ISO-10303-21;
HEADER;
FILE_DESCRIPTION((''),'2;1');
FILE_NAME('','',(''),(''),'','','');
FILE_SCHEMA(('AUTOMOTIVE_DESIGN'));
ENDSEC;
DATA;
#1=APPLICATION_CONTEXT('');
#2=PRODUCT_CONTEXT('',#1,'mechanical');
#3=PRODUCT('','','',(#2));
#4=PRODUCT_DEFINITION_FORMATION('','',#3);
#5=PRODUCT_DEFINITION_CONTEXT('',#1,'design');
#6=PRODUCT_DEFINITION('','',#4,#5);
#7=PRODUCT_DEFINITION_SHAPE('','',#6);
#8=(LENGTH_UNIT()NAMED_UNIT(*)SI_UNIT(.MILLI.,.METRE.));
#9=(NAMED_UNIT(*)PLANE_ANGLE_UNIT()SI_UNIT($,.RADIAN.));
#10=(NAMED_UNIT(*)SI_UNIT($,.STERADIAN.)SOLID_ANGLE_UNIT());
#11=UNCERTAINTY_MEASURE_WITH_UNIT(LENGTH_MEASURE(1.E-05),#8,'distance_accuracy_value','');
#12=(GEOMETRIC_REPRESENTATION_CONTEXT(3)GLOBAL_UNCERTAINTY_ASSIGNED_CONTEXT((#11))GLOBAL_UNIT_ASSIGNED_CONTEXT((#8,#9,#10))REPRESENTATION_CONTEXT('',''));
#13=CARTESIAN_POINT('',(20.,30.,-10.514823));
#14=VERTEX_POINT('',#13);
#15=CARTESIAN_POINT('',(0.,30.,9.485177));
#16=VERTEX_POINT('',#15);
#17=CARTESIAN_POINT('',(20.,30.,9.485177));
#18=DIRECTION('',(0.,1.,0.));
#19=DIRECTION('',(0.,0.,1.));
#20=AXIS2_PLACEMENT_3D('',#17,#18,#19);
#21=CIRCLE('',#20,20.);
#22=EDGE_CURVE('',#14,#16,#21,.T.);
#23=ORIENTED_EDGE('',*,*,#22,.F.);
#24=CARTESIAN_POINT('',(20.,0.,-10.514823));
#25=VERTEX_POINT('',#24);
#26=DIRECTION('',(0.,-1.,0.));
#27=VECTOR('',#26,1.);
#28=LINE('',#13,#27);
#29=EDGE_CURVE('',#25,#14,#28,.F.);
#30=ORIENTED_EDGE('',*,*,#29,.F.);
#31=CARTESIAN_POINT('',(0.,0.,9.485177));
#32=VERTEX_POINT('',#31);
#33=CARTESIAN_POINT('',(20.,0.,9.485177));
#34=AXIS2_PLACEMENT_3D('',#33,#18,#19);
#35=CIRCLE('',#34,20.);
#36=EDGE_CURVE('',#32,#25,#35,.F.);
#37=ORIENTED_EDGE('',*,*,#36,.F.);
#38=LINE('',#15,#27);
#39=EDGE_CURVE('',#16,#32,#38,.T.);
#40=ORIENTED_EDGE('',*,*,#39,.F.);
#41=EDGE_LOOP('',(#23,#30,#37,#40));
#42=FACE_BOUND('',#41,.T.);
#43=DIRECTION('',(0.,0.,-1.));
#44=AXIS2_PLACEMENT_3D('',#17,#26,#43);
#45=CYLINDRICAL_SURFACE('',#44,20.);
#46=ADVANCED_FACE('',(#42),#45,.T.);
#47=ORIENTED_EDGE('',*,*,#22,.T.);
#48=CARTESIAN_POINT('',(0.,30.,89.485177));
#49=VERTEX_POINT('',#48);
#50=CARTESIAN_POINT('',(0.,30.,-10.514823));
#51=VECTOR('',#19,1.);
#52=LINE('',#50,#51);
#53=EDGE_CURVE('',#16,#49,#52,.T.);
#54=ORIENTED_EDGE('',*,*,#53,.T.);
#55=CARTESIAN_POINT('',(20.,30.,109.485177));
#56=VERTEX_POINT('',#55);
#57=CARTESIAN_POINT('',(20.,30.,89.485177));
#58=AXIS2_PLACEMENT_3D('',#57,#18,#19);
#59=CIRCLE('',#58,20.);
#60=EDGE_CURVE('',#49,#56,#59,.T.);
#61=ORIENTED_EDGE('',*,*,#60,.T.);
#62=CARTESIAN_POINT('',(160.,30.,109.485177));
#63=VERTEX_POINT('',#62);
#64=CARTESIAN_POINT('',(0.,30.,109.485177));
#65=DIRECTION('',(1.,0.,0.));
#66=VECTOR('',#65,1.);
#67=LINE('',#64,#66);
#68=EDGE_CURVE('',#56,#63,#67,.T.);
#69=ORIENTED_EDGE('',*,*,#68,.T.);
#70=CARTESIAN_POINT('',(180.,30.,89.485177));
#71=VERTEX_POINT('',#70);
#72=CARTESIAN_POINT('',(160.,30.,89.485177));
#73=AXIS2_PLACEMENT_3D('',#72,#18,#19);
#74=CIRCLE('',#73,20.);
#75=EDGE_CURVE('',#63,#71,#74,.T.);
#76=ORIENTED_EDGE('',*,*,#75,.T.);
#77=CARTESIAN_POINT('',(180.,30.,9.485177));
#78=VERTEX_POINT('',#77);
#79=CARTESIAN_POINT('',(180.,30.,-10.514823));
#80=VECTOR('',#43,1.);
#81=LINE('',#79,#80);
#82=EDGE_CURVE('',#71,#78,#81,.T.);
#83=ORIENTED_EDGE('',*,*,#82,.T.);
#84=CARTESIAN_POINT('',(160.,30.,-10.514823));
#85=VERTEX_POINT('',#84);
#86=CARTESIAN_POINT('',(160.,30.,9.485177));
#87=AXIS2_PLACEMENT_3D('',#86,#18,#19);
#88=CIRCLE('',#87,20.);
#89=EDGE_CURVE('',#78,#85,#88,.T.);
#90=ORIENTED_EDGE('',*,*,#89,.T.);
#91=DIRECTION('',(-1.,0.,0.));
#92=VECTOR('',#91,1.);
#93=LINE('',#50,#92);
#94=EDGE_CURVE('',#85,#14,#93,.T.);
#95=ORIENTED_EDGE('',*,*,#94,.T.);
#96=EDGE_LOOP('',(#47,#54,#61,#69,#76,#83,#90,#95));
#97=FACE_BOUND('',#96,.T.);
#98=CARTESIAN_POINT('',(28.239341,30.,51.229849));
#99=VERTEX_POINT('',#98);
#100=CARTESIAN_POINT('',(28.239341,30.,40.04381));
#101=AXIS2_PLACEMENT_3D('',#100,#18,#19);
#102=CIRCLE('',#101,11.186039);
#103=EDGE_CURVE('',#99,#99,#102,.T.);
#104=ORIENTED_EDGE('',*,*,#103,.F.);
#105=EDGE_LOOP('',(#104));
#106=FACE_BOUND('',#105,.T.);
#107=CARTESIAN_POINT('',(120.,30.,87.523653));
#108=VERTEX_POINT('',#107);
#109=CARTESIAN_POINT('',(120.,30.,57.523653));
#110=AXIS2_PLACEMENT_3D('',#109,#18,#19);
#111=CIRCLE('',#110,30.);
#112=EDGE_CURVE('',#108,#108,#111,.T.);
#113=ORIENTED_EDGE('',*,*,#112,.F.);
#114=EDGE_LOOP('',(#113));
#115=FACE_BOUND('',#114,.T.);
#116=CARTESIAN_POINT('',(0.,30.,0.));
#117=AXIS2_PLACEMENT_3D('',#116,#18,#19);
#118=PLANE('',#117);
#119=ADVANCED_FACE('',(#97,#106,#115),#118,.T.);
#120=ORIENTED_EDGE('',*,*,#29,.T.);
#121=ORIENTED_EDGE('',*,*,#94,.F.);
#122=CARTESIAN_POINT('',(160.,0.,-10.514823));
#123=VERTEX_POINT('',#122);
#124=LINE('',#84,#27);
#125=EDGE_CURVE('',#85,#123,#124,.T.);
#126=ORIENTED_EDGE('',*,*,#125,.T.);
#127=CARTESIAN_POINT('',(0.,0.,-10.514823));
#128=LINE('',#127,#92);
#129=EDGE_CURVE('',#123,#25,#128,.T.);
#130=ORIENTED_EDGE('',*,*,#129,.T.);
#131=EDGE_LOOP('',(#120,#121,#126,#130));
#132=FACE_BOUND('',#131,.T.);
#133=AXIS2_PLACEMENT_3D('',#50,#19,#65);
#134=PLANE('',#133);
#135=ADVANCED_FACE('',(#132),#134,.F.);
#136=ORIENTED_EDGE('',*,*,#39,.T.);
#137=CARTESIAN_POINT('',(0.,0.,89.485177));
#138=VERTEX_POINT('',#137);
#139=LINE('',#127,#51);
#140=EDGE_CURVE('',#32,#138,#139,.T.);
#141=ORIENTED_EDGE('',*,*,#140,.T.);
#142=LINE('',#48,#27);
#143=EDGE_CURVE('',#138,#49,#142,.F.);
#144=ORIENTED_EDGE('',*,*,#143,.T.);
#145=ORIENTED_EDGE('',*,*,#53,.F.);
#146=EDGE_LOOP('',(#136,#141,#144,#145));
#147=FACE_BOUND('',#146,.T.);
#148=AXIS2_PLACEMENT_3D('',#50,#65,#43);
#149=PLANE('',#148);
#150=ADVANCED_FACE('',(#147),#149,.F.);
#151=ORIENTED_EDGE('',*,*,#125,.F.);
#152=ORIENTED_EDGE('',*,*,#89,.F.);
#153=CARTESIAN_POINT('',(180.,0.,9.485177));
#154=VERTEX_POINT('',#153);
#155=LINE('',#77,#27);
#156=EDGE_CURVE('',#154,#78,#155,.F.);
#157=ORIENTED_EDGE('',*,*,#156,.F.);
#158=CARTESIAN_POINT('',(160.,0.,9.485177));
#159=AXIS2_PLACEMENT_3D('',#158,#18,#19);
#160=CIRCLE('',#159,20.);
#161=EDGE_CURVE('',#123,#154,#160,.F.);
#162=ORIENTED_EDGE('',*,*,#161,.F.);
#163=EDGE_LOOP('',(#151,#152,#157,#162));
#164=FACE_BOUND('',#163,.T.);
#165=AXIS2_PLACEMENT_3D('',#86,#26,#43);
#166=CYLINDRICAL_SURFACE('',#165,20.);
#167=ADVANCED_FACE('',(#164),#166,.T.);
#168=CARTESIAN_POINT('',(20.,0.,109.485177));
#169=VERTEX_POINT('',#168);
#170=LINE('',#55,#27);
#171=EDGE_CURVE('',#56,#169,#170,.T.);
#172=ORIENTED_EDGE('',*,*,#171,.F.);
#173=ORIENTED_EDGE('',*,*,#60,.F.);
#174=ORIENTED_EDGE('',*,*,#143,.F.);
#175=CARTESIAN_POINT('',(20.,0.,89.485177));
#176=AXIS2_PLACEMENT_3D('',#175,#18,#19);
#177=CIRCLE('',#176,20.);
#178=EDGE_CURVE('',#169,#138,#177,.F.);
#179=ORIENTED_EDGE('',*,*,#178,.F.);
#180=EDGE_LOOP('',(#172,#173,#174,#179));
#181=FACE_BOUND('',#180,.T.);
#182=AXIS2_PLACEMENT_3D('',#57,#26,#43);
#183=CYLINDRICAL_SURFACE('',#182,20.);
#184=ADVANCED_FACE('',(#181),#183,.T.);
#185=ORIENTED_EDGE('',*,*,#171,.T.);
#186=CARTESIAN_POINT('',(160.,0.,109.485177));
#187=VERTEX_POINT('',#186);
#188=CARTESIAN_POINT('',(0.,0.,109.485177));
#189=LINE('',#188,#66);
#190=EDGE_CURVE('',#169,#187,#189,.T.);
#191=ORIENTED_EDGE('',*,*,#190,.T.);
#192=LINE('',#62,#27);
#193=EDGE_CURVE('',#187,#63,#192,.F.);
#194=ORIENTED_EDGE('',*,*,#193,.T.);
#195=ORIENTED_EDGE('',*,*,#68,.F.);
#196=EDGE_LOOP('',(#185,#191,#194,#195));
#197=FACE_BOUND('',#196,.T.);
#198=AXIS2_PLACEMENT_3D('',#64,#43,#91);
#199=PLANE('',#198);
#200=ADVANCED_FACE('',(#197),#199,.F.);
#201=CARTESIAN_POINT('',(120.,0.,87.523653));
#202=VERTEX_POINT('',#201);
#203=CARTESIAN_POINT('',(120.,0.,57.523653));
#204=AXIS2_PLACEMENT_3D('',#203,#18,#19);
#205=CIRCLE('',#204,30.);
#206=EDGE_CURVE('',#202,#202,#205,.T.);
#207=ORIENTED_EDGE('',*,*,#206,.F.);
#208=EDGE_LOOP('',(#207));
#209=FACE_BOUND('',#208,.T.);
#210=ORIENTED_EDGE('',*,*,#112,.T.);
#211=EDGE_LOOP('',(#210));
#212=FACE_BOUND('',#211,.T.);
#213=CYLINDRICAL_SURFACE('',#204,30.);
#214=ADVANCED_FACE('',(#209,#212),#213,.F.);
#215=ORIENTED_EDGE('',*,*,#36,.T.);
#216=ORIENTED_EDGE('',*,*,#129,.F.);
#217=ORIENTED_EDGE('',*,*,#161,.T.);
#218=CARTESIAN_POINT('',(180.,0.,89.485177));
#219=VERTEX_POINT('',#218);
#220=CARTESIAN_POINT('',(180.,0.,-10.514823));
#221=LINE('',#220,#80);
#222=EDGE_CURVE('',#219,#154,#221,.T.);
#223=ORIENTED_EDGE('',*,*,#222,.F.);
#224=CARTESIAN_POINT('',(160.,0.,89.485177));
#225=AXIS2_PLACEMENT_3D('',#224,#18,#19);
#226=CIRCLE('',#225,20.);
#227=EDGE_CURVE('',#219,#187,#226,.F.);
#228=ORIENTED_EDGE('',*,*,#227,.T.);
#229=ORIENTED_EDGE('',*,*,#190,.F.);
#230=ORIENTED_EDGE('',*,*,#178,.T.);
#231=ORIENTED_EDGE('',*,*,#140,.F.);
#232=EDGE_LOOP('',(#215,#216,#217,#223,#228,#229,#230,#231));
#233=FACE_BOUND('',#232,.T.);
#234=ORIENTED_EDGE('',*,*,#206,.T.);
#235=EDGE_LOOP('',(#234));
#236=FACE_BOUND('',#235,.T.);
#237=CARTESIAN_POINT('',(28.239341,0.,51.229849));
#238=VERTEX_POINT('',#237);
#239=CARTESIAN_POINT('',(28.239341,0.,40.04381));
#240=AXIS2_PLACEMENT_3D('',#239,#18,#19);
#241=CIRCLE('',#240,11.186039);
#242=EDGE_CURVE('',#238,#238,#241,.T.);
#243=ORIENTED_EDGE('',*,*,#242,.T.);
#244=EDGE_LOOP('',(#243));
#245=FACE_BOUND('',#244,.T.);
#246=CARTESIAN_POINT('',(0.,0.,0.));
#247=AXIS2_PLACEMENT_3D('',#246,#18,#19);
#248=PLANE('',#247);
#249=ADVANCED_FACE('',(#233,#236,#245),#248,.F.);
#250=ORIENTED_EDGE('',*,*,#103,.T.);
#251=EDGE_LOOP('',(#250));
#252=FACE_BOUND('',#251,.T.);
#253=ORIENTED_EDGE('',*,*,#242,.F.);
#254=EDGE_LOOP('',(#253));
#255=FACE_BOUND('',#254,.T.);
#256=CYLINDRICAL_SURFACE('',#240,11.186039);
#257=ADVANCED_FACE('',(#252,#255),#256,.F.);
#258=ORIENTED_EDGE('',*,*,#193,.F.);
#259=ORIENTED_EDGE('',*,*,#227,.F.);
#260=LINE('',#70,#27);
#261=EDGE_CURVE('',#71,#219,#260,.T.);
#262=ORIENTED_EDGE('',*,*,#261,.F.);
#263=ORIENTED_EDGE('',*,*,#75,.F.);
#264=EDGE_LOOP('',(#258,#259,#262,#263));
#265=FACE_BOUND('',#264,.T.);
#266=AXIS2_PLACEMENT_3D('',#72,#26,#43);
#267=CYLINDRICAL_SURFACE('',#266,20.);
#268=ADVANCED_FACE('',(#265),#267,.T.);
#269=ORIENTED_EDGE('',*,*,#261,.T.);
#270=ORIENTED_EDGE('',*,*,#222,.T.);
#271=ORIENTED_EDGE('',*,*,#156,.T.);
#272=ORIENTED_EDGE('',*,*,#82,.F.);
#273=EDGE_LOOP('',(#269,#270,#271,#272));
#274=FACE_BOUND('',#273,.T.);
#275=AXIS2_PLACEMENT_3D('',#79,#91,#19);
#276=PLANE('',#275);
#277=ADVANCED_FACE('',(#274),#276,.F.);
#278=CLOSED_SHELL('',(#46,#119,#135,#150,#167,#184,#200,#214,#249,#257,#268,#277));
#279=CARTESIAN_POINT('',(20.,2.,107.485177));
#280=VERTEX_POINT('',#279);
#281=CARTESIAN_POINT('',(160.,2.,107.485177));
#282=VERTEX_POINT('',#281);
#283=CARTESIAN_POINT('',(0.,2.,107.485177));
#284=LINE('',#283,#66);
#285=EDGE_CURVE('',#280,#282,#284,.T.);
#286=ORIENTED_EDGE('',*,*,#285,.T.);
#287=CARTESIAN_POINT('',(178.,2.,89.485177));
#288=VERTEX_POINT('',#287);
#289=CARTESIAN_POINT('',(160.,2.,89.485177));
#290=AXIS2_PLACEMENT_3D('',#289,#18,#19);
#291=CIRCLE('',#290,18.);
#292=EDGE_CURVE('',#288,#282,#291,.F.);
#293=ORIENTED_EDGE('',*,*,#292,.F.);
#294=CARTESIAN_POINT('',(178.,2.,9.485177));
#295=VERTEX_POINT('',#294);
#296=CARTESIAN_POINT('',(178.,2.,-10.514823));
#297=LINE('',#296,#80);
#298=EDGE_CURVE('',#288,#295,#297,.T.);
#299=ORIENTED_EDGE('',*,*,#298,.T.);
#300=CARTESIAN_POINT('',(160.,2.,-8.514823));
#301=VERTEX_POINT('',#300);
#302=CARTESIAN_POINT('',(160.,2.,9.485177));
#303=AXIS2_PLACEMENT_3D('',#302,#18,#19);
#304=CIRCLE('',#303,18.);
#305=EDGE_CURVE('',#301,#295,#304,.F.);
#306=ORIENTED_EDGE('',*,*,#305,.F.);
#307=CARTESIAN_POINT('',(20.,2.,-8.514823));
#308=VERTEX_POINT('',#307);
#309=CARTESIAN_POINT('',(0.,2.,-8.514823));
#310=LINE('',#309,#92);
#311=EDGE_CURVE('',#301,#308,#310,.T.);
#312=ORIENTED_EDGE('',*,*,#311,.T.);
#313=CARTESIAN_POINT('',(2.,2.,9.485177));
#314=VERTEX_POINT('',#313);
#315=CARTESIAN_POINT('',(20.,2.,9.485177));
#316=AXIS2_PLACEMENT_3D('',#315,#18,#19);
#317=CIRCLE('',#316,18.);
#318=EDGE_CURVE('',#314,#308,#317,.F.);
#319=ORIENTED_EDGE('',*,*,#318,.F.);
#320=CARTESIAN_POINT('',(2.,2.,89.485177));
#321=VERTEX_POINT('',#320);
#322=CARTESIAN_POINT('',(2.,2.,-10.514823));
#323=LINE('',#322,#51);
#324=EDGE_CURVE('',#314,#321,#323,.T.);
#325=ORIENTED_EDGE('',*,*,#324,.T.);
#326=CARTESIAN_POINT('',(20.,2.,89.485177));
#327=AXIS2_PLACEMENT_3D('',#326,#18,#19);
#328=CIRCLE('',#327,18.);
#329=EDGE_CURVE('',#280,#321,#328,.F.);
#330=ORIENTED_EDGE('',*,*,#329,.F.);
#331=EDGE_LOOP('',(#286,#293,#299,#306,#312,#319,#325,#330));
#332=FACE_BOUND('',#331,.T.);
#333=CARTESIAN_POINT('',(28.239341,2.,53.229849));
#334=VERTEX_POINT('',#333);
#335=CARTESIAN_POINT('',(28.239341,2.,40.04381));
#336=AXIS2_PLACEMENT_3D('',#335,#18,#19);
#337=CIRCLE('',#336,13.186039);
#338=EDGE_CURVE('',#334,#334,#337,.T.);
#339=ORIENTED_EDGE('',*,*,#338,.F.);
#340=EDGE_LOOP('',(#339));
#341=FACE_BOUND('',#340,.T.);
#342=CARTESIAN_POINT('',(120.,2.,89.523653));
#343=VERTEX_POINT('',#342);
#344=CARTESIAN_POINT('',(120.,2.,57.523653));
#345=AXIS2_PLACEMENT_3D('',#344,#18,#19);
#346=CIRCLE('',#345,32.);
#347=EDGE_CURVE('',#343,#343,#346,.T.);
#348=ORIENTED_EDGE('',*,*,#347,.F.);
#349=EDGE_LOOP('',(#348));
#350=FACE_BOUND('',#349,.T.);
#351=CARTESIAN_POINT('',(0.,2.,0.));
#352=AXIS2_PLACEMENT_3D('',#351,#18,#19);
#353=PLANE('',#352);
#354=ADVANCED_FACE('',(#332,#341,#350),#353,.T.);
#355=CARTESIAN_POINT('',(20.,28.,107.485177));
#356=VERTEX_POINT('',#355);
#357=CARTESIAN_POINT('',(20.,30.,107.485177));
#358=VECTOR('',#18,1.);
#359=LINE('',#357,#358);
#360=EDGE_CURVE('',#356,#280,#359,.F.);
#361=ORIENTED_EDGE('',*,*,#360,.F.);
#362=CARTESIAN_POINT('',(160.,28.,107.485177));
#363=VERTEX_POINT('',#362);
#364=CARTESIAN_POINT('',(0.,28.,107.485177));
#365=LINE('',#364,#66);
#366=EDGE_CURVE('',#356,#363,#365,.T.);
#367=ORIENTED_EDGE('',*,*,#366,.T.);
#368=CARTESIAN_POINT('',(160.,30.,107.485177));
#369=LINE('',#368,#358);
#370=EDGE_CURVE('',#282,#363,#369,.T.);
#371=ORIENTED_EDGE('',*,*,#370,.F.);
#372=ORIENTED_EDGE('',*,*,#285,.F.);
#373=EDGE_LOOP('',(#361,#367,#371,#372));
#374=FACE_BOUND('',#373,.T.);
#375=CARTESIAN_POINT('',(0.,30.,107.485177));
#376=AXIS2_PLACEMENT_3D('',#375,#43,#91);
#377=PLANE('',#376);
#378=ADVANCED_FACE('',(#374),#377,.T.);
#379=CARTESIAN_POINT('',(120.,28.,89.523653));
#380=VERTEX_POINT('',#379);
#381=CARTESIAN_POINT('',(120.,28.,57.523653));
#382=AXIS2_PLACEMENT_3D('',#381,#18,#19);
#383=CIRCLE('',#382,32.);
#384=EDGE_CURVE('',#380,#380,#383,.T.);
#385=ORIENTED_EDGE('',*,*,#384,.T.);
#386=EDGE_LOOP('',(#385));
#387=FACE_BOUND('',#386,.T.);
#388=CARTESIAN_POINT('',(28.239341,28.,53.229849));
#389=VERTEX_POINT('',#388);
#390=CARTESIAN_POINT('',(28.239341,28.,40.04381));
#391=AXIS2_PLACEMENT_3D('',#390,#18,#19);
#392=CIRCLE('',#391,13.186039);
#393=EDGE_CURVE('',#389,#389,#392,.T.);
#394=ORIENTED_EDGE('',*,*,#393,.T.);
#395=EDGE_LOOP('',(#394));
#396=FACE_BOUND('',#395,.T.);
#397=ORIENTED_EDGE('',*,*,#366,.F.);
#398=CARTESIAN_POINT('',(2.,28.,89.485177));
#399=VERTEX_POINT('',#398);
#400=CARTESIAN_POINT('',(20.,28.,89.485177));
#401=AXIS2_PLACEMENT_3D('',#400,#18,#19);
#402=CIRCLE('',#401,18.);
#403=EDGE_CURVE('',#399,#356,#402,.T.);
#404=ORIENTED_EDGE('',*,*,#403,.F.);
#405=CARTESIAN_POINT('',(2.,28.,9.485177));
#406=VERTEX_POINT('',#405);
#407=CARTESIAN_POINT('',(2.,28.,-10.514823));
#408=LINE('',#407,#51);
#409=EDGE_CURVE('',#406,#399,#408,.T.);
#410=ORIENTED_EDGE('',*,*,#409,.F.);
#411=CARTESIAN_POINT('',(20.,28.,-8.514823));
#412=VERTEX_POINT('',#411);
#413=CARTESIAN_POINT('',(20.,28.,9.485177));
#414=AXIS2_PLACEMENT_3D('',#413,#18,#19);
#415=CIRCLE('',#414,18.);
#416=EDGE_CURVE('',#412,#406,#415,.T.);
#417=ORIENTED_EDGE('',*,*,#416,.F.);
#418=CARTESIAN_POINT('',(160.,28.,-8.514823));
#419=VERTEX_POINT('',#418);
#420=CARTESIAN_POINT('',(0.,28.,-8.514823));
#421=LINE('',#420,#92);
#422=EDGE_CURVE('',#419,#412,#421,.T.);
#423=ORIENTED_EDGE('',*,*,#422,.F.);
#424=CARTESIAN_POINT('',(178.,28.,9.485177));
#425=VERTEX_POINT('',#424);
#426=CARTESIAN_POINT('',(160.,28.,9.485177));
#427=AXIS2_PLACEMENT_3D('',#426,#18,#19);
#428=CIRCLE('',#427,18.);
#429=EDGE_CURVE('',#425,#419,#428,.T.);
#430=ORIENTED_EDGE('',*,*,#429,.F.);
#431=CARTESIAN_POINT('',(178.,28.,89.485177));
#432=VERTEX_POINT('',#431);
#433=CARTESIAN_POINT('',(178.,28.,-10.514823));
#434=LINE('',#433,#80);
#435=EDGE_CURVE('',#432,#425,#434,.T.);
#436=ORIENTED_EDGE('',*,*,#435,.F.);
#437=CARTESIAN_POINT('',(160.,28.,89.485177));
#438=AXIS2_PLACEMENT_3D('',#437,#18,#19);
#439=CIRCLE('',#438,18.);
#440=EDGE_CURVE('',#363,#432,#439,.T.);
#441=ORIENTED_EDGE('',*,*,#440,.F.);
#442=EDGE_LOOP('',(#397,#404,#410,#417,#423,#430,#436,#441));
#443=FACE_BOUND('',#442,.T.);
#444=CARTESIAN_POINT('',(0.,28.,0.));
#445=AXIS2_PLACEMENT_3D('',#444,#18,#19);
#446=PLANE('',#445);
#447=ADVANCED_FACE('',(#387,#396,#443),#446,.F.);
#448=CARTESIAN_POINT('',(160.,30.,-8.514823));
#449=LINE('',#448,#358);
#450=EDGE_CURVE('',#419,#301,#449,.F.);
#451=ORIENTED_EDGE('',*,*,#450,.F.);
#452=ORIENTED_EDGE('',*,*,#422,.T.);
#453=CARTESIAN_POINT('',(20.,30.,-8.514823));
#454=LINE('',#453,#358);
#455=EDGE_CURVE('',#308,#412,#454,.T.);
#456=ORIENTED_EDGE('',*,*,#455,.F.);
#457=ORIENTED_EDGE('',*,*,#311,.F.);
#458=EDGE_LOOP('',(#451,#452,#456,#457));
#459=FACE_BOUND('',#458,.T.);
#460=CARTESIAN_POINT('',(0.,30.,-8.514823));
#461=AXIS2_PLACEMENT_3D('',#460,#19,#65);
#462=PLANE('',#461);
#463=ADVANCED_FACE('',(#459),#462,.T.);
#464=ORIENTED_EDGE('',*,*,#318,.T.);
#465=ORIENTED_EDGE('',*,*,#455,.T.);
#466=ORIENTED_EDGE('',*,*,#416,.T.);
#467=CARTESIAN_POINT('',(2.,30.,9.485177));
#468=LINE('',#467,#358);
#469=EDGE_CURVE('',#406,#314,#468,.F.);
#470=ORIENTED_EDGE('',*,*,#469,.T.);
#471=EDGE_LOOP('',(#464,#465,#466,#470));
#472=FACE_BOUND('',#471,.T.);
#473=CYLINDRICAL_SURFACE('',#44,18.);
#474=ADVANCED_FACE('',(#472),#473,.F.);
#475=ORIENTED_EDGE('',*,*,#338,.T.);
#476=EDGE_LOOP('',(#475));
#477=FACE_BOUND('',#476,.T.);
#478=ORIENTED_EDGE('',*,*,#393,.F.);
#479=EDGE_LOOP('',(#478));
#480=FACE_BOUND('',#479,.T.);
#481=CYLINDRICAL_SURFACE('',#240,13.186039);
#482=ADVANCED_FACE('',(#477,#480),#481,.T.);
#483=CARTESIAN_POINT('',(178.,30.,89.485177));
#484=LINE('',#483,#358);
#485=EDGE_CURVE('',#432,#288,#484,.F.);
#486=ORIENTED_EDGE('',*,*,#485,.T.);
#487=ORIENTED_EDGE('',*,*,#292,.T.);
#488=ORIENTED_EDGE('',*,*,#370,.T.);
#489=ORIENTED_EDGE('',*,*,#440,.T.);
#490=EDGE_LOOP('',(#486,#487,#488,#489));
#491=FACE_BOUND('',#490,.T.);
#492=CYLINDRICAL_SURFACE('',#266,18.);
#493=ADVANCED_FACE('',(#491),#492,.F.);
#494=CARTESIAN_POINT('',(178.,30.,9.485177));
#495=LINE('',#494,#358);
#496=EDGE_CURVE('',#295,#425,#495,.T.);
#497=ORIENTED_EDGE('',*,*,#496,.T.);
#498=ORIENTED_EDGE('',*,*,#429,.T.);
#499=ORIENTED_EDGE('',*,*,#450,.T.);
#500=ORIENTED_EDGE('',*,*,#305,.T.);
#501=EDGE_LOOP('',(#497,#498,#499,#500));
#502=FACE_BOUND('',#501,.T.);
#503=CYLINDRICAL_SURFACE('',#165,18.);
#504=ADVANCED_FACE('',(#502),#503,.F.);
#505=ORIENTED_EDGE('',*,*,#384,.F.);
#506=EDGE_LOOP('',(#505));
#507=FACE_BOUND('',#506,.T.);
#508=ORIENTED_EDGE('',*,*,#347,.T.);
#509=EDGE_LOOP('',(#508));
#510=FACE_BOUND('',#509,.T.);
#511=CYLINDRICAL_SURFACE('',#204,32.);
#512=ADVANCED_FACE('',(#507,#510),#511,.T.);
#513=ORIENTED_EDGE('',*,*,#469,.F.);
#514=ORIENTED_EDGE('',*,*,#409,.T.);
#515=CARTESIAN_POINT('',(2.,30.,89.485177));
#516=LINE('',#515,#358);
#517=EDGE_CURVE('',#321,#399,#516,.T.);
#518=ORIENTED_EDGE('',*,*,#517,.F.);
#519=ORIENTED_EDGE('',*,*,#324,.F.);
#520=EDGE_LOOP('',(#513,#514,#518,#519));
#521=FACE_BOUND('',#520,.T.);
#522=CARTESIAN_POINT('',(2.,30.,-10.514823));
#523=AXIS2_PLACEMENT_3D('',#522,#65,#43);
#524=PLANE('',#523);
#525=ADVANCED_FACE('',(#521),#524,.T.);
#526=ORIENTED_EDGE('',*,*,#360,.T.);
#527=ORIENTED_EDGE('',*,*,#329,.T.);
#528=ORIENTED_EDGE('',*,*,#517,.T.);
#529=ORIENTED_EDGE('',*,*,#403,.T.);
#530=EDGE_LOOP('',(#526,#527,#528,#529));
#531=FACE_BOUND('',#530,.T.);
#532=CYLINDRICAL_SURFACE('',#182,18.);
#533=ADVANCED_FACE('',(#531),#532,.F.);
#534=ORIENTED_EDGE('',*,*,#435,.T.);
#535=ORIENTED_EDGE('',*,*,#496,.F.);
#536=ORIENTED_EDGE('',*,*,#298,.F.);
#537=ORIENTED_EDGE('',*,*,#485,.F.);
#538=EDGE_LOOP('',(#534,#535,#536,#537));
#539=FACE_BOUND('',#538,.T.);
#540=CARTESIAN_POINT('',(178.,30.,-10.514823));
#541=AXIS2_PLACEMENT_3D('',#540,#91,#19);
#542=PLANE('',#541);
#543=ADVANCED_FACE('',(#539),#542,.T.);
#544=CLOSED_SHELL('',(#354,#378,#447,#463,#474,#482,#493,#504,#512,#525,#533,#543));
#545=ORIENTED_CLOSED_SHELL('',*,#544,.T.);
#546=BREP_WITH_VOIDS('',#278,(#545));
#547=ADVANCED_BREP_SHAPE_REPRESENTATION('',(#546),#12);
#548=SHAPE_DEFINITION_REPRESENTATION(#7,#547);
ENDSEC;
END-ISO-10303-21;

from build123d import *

# Parameters (mm, degrees)
SKETCH_1_W          = 180
SKETCH_1_H          = 120
EXTRUDE_2_DEPTH     = 30
SKETCH_3_R          = 30
SKETCH_3_R_2        = 11.186038902
CUT_EXTRUDE_1_DEPTH = 213.807433918
FILLET_1_R          = 20
SHELL_1_T           = 2


with BuildPart() as part:
    # 草图1 → 凸台-拉伸2 (new body)
    with BuildSketch(Plane(origin=(0, 0, 0), x_dir=(1, 0, 0), z_dir=(0, 1, 0))):
        with Locations((90, -49.485176763)):
            Rectangle(SKETCH_1_W, SKETCH_1_H)
    extrude(amount=EXTRUDE_2_DEPTH)

    # 草图3 → 切除-拉伸1 (cut, through all)
    with BuildSketch(Plane(origin=(0, 30, 0), x_dir=(1, 0, 0), z_dir=(0, 1, 0))):
        with Locations(Location((120, -57.523652535, 0), (0, 0, 270))):
            Circle(SKETCH_3_R)
        with Locations(Location((28.239340808, -40.043809648, 0), (0, 0, 270))):
            Circle(SKETCH_3_R_2)
    extrude(amount=-CUT_EXTRUDE_1_DEPTH, mode=Mode.SUBTRACT)

    # 圆角1
    fillet_1_edges = [part.edges().sort_by_distance(p)[0] for p in [
        (0, 15, -10.514823237),
        (180, 15, -10.514823237),
        (180, 15, 109.485176763),
        (0, 15, 109.485176763),
    ]]
    fillet(fillet_1_edges, radius=FILLET_1_R)

    # 抽壳1 (no face opened: a closed hollow body)
    add(offset(amount=-SHELL_1_T, mode=Mode.PRIVATE), mode=Mode.SUBTRACT)


solid = part.part
